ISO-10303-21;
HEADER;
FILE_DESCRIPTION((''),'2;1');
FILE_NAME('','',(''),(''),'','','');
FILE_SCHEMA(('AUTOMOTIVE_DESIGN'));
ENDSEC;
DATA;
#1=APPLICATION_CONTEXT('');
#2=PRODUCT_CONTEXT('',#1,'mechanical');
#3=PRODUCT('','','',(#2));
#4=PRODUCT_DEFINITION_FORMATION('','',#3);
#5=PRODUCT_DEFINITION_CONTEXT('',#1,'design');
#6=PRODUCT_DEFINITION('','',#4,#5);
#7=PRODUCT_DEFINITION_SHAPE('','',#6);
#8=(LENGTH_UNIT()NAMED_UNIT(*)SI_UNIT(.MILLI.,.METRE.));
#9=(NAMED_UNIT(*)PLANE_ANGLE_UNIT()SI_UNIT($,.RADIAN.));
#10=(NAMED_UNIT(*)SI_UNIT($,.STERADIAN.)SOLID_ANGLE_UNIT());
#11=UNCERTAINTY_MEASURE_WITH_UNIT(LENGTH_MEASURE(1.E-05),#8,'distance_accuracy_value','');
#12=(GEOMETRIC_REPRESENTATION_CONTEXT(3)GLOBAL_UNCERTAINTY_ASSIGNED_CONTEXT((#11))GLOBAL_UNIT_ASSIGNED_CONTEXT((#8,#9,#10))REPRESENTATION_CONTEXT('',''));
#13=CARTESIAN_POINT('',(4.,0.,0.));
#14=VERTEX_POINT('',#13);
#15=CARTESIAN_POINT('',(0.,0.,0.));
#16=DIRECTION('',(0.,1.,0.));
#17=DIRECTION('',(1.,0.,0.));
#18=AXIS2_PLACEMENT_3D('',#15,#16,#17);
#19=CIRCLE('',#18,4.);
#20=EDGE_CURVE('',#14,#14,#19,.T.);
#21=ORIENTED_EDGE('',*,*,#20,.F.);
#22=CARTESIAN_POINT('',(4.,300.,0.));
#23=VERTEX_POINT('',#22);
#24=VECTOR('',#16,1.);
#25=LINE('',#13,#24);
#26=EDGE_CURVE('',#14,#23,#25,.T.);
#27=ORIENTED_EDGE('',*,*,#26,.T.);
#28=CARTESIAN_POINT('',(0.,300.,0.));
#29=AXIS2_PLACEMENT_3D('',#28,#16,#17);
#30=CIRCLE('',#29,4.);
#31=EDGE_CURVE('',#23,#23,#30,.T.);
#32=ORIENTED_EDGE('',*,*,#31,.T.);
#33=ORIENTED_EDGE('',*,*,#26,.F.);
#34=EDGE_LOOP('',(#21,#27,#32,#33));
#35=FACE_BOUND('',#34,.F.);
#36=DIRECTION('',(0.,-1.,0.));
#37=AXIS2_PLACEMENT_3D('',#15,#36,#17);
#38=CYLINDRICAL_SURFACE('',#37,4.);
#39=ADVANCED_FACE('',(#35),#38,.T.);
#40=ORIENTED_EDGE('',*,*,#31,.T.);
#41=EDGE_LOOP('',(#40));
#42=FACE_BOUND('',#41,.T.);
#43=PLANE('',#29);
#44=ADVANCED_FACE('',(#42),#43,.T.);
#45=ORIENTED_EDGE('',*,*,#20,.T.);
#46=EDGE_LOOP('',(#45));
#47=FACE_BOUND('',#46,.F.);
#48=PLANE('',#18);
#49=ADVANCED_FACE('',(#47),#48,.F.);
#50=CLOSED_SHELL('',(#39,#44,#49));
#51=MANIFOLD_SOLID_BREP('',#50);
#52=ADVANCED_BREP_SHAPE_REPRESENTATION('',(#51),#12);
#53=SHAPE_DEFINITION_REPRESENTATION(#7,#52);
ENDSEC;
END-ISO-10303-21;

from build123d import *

# Parameters (mm, degrees)
SKETCH_1_R      = 4
EXTRUDE_1_DEPTH = 300


with BuildPart() as part:
    # 草图1 → 凸台-拉伸1 (new body)
    with BuildSketch(Plane(origin=(0, 0, 0), x_dir=(1, 0, 0), z_dir=(0, 1, 0))):
        Circle(SKETCH_1_R)
    extrude(amount=EXTRUDE_1_DEPTH)


solid = part.part
